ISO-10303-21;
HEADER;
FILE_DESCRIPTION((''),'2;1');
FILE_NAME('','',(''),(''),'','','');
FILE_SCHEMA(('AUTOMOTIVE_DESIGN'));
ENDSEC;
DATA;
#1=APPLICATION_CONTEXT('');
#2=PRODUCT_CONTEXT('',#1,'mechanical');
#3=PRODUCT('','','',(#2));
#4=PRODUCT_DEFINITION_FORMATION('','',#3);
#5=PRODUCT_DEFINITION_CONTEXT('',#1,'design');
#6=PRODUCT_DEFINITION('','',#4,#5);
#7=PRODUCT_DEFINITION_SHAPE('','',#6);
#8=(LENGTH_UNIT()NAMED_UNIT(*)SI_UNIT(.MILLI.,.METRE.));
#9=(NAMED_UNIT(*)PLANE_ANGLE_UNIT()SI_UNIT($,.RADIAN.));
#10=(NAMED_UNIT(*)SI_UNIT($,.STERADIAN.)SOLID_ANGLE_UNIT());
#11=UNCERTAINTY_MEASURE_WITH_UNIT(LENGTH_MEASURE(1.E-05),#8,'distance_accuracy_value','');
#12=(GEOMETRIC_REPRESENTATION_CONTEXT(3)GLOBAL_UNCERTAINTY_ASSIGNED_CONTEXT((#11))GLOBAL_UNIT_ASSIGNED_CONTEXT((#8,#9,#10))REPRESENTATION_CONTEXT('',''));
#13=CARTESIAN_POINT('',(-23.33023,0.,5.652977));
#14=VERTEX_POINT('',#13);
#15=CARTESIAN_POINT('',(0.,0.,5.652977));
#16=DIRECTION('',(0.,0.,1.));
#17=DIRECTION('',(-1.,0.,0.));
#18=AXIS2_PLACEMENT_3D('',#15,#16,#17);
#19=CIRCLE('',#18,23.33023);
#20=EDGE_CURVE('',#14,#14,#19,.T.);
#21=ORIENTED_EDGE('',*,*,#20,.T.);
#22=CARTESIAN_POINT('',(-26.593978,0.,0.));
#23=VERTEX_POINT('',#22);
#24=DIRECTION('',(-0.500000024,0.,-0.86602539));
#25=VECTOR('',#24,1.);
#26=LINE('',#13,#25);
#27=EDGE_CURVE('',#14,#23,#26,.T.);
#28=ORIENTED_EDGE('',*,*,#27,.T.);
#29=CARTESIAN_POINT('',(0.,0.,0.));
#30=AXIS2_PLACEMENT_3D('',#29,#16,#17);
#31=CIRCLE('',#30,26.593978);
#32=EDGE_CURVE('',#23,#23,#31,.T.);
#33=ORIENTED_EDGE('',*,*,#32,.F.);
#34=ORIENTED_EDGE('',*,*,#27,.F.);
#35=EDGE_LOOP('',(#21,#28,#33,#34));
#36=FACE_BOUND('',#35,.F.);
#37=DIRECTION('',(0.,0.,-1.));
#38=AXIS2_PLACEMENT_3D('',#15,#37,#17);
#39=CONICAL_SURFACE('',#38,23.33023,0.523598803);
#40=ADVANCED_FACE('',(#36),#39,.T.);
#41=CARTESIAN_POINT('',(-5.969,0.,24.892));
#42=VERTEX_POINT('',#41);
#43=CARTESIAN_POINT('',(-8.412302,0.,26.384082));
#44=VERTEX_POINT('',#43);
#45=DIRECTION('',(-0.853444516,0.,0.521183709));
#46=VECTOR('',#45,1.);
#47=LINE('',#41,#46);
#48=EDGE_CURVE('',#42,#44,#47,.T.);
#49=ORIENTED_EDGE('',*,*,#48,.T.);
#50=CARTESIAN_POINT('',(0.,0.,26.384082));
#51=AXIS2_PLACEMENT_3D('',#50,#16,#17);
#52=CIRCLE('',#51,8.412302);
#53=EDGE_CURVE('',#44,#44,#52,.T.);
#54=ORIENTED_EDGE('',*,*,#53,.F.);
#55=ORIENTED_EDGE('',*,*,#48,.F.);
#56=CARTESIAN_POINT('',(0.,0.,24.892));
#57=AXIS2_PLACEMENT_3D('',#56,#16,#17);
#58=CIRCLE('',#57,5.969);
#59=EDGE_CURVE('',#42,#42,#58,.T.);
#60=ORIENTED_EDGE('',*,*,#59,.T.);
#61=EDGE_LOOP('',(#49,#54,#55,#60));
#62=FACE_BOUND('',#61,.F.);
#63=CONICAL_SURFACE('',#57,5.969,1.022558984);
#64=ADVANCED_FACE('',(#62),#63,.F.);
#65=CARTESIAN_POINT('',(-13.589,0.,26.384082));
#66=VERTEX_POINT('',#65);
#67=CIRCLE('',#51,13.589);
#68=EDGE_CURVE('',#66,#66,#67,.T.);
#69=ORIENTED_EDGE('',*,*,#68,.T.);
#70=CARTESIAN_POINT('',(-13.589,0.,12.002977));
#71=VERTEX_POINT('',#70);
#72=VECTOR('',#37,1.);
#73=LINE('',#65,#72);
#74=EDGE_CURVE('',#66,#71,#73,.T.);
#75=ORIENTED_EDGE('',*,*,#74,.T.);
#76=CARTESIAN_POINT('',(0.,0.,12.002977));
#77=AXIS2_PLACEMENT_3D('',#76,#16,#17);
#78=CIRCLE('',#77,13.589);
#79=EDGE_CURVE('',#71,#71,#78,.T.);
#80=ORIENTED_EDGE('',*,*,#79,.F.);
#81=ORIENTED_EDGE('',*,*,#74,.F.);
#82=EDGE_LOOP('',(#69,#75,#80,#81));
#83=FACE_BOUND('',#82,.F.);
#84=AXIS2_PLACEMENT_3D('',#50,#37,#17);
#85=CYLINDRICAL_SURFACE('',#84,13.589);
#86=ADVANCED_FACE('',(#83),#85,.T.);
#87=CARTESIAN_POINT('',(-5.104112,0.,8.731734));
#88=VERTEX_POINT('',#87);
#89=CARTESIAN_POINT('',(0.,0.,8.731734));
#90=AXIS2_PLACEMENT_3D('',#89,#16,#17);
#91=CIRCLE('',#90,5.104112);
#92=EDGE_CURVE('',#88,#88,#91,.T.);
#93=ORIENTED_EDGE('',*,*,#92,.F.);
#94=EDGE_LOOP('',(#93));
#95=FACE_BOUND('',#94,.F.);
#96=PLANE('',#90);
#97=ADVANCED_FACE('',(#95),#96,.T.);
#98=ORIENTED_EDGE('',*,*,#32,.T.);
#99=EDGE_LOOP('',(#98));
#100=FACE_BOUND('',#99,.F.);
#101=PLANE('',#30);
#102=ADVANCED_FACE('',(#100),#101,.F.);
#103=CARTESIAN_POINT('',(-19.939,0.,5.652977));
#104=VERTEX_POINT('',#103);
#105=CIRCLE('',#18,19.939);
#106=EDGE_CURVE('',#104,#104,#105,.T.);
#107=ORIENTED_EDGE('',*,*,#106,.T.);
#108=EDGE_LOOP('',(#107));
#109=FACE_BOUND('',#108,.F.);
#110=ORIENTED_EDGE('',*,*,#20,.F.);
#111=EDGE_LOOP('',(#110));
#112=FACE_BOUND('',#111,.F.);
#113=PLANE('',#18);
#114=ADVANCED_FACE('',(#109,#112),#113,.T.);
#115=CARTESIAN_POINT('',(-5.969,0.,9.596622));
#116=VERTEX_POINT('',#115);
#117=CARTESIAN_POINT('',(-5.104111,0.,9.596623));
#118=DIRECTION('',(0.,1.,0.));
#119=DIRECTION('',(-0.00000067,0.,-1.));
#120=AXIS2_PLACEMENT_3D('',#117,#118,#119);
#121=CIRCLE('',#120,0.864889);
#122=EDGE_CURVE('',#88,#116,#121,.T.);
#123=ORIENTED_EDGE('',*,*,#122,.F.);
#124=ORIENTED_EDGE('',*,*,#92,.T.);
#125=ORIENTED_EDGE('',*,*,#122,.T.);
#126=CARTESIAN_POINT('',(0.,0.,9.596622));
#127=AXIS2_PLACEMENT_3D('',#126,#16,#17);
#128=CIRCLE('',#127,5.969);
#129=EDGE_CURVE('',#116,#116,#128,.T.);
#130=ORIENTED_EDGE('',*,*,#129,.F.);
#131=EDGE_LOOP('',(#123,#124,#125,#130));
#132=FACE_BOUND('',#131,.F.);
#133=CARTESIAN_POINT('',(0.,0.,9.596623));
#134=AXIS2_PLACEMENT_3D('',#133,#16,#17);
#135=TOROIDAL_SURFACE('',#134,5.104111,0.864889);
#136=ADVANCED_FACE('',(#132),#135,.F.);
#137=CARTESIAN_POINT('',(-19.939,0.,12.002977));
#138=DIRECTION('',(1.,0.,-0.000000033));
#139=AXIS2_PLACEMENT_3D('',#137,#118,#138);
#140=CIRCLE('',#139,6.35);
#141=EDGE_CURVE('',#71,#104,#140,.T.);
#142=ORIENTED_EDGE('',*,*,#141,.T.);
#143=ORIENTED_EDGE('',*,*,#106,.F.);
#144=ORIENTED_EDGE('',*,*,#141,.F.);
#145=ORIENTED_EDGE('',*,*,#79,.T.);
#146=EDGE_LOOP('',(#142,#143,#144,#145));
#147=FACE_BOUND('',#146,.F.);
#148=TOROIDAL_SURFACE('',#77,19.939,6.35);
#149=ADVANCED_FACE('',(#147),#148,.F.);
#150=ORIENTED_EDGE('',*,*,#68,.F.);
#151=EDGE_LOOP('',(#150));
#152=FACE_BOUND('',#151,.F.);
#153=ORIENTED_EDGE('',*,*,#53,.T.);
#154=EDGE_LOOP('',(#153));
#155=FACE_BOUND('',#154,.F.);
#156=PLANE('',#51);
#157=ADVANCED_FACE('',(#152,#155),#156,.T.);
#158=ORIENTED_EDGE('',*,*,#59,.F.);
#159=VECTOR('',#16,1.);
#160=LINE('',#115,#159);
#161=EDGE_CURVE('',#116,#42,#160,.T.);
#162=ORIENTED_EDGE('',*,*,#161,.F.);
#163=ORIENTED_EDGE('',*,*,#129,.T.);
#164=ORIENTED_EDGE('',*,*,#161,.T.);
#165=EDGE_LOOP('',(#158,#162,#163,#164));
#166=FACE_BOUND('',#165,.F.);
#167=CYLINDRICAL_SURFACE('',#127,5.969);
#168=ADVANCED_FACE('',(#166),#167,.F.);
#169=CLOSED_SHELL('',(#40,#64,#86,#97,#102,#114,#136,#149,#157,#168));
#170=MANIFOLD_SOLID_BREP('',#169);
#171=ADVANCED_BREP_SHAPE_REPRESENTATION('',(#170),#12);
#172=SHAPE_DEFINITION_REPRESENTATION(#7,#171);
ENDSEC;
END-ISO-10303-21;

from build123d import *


with BuildPart() as f1:
    # F0 (on Front) → F1 (revolve)
    with BuildSketch(Plane.XZ):
        with BuildLine():
            Line((-5.969, 9.596622), (-5.969, 24.892))
            Line((-5.969, 24.892), (-8.412302, 26.384082))
            Line((-8.412302, 26.384082), (-13.589, 26.384082))
            Line((-13.589, 26.384082), (-13.589, 12.002977))
            ThreePointArc((-13.589, 12.002977), (-15.448872, 7.512849), (-19.939, 5.652977))
            Line((-19.939, 5.652977), (-23.33023, 5.652977))
            Line((-23.33023, 5.652977), (-26.593978, 0))
            Line((-26.593978, 0), (0, 0))
            Line((0, 0), (0, 8.731734))
            Line((0, 8.731734), (-5.104112, 8.731734))
            ThreePointArc((-5.104112, 8.731734), (-5.71568, 8.985054), (-5.969, 9.596622))
        make_face()
    revolve(axis=Axis((0, 0, 12.446), (0, 0, 1)))


solid = f1.part
